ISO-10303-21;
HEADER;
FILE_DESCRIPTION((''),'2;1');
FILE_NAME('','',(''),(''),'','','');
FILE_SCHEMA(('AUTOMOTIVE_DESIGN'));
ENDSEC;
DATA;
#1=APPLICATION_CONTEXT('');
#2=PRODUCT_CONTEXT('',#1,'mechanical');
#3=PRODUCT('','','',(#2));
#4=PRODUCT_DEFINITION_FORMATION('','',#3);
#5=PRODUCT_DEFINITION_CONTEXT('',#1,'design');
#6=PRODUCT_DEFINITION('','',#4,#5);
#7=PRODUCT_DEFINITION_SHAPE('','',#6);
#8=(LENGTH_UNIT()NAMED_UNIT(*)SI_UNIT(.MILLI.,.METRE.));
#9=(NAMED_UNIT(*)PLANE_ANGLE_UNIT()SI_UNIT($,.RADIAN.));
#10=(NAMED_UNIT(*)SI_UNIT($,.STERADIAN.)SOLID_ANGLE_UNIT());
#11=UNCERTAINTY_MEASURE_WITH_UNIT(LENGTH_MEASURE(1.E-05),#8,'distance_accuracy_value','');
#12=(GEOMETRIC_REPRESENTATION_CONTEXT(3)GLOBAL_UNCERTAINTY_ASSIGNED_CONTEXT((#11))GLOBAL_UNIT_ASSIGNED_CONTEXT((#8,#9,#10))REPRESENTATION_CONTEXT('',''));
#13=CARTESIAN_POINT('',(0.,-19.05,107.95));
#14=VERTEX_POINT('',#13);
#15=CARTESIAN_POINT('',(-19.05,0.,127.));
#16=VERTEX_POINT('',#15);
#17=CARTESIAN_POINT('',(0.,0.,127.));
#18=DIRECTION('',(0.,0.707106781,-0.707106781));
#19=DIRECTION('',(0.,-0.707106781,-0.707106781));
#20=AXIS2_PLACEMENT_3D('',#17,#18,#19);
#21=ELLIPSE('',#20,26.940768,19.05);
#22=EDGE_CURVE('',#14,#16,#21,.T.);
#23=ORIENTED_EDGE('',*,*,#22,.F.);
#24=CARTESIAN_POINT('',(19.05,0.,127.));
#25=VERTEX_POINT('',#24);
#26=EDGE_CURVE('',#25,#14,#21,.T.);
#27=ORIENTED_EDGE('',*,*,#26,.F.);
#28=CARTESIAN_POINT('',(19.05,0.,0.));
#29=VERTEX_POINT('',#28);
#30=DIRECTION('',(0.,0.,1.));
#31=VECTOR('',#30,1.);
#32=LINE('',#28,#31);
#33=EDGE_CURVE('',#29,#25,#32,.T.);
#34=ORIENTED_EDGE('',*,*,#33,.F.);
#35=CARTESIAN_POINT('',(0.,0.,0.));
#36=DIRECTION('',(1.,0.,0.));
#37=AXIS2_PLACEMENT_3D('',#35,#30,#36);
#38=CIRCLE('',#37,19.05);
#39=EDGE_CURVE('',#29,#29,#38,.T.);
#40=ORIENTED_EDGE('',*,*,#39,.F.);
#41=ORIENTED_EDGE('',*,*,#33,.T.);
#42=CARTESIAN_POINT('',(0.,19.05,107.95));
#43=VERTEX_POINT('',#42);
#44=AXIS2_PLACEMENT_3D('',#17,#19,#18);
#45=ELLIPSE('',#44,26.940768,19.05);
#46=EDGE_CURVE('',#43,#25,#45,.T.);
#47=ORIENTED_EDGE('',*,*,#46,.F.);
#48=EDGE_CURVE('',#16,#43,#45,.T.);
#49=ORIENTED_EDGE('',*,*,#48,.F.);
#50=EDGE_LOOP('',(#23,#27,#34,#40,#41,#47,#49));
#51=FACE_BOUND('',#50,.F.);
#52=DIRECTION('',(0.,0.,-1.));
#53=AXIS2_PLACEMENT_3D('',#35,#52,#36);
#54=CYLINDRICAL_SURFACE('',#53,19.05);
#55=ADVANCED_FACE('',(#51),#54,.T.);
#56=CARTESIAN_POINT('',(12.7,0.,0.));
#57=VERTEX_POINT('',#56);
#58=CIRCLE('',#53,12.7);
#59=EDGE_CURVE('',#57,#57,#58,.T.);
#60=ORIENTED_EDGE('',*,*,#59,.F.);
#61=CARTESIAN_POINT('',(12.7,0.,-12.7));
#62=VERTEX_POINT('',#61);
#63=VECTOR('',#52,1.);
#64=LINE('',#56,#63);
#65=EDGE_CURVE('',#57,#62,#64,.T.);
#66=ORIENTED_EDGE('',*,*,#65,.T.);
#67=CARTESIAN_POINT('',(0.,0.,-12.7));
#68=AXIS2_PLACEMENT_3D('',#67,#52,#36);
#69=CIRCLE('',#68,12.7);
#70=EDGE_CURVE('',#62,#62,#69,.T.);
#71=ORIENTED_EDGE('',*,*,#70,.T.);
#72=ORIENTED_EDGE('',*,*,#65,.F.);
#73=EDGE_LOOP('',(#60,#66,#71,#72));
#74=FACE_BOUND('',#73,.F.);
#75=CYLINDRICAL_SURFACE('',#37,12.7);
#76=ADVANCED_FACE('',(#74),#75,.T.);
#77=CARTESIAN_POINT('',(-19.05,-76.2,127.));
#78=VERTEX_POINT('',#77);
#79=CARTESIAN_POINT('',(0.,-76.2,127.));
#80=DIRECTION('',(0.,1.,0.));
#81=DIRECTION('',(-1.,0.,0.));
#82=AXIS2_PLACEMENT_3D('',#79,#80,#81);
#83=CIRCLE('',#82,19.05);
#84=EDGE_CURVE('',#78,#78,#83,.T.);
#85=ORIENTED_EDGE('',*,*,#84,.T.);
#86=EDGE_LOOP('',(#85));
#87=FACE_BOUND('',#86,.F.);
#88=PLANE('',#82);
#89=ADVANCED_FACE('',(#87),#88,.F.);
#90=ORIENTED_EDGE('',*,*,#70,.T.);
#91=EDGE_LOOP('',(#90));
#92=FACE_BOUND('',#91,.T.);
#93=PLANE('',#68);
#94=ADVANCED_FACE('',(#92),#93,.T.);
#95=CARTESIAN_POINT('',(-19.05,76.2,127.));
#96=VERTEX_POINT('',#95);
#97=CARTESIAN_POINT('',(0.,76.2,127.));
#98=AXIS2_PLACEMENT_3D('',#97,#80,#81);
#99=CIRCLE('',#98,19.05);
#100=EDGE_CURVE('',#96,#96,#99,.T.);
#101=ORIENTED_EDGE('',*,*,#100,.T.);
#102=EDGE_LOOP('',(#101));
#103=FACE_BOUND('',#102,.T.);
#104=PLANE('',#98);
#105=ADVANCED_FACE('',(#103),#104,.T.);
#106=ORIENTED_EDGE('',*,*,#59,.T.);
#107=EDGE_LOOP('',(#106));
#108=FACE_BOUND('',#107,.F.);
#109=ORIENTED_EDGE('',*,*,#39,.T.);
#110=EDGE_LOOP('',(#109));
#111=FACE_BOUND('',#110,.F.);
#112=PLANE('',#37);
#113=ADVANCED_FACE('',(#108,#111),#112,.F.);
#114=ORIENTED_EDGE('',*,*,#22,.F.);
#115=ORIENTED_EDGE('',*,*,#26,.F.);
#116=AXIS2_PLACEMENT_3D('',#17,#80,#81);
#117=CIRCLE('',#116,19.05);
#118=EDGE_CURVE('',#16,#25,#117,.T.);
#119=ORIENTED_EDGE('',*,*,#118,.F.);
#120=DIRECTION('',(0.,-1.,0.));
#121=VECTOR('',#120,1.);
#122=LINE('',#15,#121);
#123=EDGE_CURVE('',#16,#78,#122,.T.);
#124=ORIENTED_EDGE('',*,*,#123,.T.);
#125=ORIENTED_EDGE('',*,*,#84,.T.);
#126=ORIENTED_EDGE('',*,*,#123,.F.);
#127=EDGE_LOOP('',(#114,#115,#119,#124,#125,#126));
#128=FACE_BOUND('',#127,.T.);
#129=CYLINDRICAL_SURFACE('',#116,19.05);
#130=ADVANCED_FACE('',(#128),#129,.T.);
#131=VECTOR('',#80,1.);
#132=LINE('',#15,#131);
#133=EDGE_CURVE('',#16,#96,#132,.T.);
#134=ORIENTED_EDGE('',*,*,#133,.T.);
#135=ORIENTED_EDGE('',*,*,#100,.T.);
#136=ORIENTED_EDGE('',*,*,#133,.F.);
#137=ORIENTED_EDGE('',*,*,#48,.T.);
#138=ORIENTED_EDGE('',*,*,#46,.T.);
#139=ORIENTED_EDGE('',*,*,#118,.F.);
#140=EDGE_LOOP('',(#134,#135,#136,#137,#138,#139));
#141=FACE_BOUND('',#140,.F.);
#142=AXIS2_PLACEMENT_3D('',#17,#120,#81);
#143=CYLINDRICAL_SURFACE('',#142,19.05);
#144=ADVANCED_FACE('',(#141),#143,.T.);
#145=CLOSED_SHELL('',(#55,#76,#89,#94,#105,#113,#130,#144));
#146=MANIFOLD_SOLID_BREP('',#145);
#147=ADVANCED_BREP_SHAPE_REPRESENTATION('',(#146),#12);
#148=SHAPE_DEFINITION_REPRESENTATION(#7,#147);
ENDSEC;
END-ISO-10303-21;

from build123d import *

# Parameters (mm, degrees)
F0_R          = 19.05
F1_DEPTH      = 127
F2_R          = 12.7
F3_DEPTH      = 12.7
F6_R          = 19.05
F7_DEPTH      = 76.2
F7_DEPTH_BACK = 76.2


with BuildPart() as f1:
    # F0 (on Top) → F1 (new body)
    with BuildSketch(Plane.XY):
        Circle(F0_R)
    extrude(amount=F1_DEPTH)

    # F2 (on face) → F3 (join)
    with BuildSketch(Plane(origin=(0, 0, 0), x_dir=(1, 0, 0), z_dir=(0, 0, -1))):
        Circle(F2_R)
    extrude(amount=F3_DEPTH)

    # F6 (on face) → F7 (join, two sides)
    with BuildSketch(Plane(origin=(0, 0, 0), x_dir=(-1, 0, 0), z_dir=(0, 1, 0))) as f7_sk:
        with Locations((0, 127)):
            Circle(F6_R)
    extrude(amount=F7_DEPTH)
    extrude(f7_sk.sketch, amount=-F7_DEPTH_BACK)


solid = f1.part
